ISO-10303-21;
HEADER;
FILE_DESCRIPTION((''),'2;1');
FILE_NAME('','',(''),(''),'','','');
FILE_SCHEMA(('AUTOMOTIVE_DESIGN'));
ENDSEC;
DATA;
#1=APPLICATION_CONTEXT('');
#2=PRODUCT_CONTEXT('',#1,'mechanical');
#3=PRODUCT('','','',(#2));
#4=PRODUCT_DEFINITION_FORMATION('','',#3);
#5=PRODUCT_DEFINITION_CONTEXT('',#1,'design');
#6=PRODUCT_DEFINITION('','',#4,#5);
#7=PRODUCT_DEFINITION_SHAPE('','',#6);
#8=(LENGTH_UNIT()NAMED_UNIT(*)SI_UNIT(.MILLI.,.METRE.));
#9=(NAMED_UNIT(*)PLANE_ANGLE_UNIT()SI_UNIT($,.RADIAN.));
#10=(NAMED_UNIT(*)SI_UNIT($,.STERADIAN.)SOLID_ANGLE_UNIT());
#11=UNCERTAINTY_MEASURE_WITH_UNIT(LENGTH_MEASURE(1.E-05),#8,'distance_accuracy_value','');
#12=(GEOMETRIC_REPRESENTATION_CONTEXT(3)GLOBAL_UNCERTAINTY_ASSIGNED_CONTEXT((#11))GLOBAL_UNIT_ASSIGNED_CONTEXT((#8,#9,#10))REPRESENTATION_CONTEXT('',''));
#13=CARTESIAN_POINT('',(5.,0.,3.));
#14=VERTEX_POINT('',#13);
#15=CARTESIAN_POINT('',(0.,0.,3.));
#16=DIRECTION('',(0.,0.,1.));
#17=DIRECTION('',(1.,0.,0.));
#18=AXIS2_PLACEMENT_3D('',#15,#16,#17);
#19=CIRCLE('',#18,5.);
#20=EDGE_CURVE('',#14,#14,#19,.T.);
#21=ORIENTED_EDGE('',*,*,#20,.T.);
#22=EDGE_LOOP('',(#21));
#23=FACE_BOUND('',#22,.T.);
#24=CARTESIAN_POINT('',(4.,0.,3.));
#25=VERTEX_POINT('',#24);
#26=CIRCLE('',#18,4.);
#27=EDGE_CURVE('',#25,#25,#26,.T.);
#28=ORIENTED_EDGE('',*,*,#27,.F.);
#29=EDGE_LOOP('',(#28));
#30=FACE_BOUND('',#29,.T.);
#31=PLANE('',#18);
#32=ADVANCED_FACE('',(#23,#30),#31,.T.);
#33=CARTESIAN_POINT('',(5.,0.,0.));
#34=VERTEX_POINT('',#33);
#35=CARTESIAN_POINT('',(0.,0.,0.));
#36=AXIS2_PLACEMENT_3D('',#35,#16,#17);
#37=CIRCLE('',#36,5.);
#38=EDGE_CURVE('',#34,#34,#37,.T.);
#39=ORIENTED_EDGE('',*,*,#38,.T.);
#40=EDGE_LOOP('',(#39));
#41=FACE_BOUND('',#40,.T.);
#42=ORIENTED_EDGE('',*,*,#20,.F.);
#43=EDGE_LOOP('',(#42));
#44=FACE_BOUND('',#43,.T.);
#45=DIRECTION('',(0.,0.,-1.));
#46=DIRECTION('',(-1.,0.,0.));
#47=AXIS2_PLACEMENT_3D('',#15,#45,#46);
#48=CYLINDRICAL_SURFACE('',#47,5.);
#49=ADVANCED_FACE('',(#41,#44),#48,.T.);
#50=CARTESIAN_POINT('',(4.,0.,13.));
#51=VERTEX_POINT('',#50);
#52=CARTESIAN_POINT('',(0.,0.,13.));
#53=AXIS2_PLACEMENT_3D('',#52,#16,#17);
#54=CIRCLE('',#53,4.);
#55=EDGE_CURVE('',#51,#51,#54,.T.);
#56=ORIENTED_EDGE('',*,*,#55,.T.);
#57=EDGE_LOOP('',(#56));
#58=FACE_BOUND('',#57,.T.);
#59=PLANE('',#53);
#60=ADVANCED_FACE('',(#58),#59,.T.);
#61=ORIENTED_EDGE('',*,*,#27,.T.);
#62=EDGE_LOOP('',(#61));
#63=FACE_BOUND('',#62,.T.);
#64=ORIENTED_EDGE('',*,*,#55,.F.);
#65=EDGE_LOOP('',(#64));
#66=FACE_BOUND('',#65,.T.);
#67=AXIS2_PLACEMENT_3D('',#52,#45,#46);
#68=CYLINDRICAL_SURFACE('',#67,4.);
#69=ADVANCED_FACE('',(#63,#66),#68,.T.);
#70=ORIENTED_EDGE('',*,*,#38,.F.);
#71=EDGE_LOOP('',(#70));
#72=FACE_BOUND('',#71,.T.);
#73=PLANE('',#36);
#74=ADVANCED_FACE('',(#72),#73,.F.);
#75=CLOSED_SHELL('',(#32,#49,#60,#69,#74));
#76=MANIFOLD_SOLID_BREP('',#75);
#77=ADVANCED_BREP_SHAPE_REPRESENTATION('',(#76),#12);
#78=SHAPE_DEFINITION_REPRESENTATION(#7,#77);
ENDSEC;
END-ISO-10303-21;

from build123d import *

# Parameters (mm, degrees)
SKETCH1_R           = 5
BOSS_EXTRUDE1_DEPTH = 3
SKETCH2_R           = 4
BOSS_EXTRUDE2_DEPTH = 10


with BuildPart() as part:
    # Sketch1 → Boss-Extrude1 (new body)
    with BuildSketch(Plane.XY):
        Circle(SKETCH1_R)
    extrude(amount=BOSS_EXTRUDE1_DEPTH)

    # Sketch2 → Boss-Extrude2 (add)
    with BuildSketch(Plane.XY.offset(3)):
        Circle(SKETCH2_R)
    extrude(amount=BOSS_EXTRUDE2_DEPTH)


solid = part.part
